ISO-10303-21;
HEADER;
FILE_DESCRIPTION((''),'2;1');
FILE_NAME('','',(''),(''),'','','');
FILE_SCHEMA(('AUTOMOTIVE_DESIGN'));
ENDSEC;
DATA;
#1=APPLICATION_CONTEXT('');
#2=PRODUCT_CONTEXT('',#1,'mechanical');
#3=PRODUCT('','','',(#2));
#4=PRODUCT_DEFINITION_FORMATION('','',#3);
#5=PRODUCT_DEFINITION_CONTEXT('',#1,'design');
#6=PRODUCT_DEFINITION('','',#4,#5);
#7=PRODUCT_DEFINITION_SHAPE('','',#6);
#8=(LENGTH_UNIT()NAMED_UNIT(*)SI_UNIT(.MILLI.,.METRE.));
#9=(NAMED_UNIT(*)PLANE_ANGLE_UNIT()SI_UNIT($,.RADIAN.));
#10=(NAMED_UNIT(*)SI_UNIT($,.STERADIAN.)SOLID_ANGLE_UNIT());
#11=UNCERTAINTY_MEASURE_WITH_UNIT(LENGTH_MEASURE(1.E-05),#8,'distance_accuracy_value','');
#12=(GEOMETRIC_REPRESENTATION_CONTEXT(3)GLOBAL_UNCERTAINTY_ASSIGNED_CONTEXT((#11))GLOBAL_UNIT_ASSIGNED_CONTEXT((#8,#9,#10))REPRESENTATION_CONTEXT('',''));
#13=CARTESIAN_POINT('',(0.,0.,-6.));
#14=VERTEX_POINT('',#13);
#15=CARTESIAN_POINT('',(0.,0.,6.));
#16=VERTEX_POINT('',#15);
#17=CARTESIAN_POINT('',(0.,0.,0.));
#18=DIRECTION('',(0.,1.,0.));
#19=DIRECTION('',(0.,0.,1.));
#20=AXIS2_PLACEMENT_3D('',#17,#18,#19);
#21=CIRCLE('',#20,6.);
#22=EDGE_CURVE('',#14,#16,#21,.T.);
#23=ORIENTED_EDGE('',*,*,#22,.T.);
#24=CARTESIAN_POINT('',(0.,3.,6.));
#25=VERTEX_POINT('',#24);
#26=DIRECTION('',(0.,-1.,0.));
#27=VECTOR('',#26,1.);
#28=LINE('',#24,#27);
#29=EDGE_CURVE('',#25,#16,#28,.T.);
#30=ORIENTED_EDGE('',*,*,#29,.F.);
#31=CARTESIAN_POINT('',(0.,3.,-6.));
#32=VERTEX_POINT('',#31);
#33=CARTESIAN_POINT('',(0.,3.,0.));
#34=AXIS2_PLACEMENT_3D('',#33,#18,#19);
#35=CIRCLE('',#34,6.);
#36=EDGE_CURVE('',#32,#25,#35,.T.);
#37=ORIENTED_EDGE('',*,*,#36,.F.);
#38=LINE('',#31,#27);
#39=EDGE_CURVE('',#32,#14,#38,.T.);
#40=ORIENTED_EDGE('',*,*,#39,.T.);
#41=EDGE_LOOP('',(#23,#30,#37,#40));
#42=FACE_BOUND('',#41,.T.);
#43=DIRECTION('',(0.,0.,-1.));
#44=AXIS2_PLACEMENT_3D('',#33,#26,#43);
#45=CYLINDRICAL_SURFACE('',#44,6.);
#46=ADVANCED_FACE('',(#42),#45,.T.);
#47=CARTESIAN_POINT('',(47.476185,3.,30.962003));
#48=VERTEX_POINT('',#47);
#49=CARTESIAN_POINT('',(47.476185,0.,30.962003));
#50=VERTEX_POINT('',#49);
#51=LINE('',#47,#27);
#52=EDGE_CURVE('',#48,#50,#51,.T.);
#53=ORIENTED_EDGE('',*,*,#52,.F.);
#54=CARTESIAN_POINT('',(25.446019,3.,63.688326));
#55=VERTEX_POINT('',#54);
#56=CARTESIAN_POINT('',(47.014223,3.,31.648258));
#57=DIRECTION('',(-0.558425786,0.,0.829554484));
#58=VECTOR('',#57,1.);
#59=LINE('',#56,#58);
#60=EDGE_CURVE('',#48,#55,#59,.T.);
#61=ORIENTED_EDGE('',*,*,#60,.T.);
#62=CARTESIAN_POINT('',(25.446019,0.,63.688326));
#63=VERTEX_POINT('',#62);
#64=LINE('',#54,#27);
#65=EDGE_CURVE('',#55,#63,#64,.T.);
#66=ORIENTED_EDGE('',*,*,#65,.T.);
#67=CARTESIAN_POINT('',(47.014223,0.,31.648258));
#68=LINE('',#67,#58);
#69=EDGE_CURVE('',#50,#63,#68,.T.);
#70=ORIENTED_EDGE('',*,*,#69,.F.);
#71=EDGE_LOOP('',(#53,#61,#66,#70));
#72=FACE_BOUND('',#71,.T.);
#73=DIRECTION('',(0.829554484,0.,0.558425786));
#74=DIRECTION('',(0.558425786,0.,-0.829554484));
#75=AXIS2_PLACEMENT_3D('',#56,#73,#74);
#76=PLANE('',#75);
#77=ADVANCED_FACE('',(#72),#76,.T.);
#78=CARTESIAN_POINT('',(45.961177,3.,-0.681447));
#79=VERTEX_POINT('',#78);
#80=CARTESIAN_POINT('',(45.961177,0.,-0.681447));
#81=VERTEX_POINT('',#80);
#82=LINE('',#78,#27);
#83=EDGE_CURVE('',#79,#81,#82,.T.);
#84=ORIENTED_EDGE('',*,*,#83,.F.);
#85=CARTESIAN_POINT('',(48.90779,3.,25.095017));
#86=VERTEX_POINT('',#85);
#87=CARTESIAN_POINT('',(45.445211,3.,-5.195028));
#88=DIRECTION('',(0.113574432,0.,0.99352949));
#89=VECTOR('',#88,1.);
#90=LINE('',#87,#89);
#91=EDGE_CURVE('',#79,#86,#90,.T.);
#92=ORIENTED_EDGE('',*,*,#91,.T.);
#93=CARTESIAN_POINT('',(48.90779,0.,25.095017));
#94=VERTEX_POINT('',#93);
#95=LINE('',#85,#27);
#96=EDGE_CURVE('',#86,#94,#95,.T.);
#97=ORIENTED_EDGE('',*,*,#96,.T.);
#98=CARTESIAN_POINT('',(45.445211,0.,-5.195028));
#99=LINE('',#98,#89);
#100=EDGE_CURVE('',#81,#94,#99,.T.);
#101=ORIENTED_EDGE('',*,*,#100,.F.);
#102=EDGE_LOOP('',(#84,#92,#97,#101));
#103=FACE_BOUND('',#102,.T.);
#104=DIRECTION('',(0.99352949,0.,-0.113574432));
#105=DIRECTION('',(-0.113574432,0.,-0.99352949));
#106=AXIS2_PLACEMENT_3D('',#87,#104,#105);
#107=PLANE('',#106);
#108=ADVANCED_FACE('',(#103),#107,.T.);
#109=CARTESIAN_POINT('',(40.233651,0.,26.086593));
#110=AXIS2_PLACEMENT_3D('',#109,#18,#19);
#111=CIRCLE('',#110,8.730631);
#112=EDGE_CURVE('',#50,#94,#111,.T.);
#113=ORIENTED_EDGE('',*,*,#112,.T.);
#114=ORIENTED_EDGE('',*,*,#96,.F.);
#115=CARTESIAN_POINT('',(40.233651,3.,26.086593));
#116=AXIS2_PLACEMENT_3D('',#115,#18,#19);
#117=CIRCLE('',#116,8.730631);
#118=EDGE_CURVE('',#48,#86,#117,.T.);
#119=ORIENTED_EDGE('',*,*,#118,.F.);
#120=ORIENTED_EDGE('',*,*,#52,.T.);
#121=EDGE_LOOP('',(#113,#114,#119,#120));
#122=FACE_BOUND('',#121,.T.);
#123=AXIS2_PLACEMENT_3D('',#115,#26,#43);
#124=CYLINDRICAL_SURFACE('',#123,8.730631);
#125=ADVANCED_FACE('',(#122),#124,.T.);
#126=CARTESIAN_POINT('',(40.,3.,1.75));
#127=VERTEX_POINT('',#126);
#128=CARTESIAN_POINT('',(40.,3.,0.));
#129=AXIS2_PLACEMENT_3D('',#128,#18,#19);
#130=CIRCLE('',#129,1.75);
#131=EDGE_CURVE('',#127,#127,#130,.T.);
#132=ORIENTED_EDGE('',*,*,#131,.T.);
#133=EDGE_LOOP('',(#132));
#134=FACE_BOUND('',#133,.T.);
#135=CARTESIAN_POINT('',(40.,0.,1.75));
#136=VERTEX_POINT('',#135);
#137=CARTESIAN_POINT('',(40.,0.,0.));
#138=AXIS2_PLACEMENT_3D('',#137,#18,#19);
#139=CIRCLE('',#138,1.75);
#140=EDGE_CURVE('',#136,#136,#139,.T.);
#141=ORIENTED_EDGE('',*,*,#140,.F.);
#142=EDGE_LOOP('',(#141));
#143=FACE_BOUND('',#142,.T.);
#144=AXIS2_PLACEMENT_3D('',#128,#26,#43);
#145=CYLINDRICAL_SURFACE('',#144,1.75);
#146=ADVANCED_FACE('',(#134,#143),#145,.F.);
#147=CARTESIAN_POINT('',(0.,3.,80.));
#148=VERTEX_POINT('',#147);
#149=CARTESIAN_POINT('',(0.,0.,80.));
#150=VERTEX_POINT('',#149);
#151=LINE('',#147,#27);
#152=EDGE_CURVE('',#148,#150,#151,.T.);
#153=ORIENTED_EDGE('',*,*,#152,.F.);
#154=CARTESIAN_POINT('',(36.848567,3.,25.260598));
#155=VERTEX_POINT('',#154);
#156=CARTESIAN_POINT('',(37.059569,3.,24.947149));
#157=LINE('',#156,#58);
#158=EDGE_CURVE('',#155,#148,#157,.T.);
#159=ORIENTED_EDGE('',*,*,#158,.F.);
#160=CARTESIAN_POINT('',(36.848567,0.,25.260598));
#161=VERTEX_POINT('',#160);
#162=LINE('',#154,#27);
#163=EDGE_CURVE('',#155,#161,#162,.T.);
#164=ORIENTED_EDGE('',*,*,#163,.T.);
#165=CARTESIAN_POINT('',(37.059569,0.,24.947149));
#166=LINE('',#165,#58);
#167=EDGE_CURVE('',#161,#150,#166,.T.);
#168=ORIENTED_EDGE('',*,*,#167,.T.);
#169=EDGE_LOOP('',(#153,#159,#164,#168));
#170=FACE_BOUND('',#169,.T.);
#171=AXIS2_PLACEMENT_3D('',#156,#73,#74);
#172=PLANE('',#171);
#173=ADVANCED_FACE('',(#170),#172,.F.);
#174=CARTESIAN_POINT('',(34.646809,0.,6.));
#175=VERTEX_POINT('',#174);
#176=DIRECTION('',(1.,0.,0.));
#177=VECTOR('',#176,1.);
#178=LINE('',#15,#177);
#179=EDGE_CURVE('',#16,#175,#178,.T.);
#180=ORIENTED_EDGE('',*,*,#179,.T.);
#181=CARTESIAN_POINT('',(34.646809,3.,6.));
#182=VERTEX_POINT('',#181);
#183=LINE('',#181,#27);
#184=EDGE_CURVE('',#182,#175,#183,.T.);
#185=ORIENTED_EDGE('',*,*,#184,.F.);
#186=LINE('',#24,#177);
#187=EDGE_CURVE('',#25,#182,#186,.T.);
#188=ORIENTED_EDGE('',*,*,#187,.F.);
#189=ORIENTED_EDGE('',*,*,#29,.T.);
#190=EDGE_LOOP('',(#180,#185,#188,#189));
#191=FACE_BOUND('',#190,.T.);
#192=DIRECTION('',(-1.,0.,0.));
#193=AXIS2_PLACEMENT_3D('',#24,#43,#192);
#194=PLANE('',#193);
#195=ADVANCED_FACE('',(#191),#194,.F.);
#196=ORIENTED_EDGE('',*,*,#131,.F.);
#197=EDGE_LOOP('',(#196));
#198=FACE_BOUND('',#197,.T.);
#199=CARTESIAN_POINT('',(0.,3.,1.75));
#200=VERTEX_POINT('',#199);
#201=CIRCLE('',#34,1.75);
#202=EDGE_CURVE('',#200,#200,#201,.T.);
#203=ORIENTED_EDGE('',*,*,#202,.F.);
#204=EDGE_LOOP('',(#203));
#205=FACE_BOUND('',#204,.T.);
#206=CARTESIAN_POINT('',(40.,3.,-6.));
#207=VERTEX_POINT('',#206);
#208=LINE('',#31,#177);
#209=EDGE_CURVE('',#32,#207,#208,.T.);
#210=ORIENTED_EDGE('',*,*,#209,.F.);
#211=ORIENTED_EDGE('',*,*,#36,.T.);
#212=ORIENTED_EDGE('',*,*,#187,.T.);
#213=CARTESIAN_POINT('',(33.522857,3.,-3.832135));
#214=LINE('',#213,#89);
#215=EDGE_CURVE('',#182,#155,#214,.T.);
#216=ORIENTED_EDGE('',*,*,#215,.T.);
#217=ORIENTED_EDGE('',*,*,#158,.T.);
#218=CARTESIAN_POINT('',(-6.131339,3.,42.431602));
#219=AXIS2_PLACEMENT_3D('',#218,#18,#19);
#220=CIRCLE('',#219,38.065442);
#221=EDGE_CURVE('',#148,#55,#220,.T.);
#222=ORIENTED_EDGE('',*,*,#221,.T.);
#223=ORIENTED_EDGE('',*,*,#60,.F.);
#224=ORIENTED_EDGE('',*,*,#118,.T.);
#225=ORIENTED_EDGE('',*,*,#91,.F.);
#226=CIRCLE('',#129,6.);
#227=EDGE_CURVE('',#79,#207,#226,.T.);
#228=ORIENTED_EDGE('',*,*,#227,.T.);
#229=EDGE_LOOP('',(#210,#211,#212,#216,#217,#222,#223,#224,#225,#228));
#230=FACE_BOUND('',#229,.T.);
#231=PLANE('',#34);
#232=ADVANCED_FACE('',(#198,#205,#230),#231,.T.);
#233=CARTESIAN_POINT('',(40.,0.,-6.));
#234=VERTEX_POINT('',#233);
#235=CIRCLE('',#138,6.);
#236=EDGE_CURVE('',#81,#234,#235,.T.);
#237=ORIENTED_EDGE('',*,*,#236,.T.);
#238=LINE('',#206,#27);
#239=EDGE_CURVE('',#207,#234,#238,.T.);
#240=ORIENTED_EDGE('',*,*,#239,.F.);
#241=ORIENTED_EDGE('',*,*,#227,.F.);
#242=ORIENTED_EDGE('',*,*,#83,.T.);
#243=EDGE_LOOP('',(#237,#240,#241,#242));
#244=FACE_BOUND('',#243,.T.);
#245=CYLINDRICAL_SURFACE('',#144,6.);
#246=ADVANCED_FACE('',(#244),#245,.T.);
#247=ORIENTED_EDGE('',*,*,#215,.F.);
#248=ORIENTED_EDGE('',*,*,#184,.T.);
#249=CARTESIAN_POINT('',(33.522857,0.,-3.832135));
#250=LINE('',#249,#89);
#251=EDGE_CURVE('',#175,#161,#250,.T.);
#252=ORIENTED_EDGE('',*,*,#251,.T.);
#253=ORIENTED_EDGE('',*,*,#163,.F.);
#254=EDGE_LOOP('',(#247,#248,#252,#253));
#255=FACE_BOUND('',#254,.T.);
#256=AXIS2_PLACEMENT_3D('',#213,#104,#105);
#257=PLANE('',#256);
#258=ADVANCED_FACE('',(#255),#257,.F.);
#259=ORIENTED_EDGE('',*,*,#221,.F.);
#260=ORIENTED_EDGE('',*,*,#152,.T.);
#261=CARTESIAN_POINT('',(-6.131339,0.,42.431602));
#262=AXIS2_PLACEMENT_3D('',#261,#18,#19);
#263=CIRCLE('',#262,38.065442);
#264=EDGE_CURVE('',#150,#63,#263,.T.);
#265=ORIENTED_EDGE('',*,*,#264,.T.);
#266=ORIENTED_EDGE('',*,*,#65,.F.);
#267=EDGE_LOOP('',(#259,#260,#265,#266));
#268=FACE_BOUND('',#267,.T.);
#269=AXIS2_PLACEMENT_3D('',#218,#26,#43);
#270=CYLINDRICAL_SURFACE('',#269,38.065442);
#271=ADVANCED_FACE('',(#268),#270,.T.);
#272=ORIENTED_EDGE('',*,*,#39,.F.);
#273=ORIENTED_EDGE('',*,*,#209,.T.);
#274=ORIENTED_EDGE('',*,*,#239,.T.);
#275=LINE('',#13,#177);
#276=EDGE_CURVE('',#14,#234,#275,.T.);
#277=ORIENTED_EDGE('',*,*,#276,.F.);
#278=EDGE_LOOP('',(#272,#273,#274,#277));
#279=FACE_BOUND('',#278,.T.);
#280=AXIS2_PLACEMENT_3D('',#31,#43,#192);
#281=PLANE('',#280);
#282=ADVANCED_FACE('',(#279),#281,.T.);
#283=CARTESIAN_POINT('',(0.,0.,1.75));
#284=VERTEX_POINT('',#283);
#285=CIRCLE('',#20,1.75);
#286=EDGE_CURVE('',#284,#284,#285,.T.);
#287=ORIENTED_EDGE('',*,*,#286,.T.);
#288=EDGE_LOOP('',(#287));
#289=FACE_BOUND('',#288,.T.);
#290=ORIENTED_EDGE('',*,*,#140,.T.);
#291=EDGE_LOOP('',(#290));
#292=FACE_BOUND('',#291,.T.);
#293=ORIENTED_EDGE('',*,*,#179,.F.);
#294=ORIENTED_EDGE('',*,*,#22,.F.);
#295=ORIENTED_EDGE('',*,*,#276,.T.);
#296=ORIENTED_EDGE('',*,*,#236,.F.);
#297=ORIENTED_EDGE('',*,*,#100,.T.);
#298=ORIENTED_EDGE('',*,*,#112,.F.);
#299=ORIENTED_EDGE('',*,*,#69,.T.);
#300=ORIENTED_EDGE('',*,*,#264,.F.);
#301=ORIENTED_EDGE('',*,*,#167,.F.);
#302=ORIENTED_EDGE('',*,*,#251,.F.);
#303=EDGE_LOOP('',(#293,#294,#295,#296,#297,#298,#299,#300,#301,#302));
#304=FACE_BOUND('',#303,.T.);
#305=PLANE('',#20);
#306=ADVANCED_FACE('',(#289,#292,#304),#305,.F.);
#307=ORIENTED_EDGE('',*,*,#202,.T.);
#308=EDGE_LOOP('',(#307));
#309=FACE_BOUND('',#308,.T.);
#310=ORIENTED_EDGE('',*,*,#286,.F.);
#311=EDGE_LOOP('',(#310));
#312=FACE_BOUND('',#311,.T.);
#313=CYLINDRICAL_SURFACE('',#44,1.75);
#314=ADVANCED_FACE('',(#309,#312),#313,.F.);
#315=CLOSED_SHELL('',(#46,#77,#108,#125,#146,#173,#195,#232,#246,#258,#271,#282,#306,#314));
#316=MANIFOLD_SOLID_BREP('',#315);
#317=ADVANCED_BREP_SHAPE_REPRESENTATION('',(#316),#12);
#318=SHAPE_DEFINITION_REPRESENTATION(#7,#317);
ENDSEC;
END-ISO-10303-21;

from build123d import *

# Parameters (mm, degrees)
SKETCH_1_R      = 1.75
EXTRUDE_1_DEPTH = 3


with BuildPart() as part:
    # 草圖1 → 填料-伸長1 (new body)
    with BuildSketch(Plane(origin=(0, 0, 0), x_dir=(1, 0, 0), z_dir=(0, 1, 0))):
        with BuildLine():
            Line((36.848566664, -25.260597764), (0, -80))
            ThreePointArc((0, -80), (14.411400344, -74.478032661), (25.446019232, -63.68832603))
            Line((25.446019232, -63.68832603), (47.47618504, -30.962002684))
            ThreePointArc((47.47618504, -30.962002684), (48.715425732, -28.156234166), (48.907790247, -25.095017029))
            Line((48.907790247, -25.095017029), (45.961176943, 0.681446592))
            ThreePointArc((45.961176943, 0.681446592), (43.994453683, 4.477090548), (40, 6))
            Line((40, 6), (0, 6))
            ThreePointArc((0, 6), (-6, 0), (0, -6))
            Line((0, -6), (34.646808717, -6))
            Line((34.646808717, -6), (36.848566664, -25.260597764))
        make_face()
        with Locations((40, 0)):
            Circle(SKETCH_1_R, mode=Mode.SUBTRACT)
        Circle(SKETCH_1_R, mode=Mode.SUBTRACT)
    extrude(amount=EXTRUDE_1_DEPTH)


solid = part.part
